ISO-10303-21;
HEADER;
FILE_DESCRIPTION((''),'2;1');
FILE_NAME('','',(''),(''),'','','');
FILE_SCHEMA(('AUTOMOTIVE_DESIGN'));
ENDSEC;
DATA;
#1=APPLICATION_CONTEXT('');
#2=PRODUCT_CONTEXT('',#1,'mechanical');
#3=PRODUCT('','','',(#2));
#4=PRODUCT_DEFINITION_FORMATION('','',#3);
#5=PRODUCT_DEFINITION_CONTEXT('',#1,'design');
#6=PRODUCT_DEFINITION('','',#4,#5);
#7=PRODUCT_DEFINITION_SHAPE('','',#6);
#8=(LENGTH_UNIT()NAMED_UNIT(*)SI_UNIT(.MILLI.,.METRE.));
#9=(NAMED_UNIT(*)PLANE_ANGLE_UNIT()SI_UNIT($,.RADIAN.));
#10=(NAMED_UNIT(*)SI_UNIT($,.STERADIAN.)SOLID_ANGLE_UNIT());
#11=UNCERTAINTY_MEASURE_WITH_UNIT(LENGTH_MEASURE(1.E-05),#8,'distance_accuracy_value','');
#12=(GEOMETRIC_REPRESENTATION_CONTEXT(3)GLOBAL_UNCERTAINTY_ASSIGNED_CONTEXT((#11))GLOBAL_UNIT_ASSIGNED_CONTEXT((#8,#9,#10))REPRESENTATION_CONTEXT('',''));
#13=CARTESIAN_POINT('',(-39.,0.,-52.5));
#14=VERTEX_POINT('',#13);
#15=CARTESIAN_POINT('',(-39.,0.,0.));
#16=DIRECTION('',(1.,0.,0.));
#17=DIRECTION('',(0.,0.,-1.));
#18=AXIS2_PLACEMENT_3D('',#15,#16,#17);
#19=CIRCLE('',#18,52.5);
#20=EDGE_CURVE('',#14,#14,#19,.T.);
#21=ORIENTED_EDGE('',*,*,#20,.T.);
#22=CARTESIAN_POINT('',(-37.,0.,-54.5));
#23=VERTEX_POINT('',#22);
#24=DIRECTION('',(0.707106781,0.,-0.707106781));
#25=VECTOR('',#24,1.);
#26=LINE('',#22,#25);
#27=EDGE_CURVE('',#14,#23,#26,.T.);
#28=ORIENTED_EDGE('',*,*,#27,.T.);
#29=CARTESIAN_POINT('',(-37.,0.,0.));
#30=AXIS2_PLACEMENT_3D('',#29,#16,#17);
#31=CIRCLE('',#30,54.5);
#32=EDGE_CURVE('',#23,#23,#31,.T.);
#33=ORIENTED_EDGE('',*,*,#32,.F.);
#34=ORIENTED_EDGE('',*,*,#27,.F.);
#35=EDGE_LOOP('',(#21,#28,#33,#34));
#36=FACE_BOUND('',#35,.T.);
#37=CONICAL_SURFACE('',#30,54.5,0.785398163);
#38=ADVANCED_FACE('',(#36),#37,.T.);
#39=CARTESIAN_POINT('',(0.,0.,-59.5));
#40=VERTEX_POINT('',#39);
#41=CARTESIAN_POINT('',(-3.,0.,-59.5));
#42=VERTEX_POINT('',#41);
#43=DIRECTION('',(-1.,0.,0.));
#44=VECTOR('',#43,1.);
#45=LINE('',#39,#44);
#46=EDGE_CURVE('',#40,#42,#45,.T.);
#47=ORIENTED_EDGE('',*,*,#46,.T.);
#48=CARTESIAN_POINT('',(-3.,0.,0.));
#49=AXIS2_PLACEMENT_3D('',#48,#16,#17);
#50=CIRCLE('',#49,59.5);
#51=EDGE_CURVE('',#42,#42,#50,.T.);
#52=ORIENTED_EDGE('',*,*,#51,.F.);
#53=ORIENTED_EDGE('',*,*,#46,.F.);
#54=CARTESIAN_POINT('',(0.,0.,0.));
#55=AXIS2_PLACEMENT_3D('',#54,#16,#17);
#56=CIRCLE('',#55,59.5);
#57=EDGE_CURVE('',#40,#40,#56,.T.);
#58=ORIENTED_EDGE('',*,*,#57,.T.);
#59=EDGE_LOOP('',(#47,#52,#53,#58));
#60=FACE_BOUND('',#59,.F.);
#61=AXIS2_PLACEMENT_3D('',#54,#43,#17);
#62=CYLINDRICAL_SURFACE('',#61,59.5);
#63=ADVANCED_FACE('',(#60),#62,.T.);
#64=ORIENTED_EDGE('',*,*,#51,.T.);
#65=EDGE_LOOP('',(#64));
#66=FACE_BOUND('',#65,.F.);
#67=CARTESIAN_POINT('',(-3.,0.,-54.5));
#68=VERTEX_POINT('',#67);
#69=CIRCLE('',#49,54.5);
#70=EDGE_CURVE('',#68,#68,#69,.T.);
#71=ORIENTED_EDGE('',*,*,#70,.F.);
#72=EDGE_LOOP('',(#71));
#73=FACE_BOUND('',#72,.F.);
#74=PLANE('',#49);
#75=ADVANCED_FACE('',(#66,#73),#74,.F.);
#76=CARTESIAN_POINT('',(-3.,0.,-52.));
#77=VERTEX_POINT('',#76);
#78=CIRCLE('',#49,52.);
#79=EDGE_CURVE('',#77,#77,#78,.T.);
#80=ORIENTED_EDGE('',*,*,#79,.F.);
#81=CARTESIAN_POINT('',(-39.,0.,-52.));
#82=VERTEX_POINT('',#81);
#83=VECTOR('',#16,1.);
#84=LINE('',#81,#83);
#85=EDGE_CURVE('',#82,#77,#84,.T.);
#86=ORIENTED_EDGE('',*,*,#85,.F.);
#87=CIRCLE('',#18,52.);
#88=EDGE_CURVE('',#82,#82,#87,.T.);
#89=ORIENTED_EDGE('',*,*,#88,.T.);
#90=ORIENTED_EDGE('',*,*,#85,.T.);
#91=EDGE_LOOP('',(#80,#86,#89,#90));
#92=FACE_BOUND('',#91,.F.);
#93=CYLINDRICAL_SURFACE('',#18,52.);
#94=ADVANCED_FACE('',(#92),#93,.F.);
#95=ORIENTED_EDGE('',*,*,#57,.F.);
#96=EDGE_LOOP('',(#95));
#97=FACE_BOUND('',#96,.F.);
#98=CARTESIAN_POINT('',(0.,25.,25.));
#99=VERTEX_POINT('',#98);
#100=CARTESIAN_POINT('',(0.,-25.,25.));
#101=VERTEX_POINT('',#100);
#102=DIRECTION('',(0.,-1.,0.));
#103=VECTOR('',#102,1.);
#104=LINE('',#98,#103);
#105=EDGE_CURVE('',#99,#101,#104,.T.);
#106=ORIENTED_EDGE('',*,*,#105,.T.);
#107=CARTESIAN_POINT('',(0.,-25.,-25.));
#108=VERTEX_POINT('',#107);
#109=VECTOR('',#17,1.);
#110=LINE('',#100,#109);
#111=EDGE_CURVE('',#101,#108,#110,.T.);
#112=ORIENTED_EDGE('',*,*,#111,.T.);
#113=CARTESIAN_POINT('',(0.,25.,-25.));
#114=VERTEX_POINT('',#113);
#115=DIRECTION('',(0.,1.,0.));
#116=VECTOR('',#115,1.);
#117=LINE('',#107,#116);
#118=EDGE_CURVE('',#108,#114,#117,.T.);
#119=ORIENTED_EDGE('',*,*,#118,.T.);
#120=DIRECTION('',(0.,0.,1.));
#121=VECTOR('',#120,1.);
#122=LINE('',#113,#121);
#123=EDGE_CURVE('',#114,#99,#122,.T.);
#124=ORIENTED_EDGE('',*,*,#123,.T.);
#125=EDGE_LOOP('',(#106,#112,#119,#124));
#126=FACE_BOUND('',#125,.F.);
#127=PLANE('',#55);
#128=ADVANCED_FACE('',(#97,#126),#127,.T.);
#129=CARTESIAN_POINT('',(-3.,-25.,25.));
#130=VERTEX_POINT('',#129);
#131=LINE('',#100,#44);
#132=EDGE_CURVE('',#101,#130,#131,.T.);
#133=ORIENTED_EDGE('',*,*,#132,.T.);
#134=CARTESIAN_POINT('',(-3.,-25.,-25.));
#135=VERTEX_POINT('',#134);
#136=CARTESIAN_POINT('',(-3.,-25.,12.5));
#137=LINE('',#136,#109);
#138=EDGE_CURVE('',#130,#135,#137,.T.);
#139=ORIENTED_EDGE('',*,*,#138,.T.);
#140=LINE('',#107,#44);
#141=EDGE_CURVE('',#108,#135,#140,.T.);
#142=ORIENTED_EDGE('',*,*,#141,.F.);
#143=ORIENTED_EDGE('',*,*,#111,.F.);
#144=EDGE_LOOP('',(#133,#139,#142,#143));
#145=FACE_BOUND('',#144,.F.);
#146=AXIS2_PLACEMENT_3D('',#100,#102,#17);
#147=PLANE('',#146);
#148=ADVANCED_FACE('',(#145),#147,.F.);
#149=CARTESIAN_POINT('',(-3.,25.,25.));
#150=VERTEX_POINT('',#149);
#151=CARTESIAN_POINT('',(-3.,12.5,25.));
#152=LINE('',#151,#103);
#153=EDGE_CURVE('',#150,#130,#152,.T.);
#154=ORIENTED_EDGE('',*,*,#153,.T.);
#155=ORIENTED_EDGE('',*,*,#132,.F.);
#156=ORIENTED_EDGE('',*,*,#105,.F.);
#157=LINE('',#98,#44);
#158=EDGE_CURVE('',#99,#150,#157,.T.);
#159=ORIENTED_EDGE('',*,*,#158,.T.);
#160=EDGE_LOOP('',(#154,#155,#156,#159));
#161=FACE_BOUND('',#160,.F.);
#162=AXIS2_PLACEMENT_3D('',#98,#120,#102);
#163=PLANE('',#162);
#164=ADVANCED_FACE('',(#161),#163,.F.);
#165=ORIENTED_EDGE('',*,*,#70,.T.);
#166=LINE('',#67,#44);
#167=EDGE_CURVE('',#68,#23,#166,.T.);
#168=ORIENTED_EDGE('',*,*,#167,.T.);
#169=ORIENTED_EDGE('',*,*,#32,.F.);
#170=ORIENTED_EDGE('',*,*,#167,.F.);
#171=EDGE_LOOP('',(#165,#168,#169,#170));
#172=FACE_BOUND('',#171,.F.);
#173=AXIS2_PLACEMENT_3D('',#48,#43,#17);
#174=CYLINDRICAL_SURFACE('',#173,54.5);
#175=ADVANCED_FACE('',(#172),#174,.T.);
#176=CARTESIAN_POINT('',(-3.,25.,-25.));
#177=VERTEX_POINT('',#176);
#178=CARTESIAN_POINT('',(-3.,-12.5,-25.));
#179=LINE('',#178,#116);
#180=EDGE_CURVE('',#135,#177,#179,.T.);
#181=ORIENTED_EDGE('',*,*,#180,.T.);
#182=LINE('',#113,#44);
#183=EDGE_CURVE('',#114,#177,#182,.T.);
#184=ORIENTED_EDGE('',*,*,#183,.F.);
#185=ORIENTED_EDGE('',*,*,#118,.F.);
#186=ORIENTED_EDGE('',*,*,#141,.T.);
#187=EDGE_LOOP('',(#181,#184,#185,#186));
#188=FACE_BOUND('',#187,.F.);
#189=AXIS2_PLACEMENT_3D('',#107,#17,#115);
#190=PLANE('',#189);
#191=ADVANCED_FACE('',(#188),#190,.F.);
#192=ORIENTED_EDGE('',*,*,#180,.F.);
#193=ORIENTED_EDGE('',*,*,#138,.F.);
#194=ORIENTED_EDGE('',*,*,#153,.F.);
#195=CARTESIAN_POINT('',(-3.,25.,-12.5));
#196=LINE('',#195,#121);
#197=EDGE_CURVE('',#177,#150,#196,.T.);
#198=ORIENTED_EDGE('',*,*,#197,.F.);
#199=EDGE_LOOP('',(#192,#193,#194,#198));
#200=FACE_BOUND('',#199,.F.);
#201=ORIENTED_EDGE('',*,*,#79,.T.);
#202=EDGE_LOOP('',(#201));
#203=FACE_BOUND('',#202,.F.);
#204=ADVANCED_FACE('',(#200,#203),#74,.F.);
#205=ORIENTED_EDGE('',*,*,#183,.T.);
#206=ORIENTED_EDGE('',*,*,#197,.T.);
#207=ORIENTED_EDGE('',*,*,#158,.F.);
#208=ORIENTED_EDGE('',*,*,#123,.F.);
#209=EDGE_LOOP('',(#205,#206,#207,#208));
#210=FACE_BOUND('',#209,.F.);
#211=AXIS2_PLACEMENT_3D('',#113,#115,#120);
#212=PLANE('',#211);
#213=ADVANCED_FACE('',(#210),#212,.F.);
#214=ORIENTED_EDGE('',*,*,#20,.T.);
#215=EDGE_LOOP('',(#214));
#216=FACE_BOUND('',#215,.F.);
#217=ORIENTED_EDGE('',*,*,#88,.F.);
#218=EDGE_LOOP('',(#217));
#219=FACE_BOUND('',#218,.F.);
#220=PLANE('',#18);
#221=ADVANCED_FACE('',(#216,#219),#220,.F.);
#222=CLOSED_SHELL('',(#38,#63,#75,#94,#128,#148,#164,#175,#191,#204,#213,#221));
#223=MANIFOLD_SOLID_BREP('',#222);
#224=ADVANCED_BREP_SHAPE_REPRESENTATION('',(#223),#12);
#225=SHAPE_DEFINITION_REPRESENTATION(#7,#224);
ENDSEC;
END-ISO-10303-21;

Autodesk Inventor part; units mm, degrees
ref_plane "YZ Plane" through (0, 0, 0) normal (1, 0, 0) x (0, 1, 0)
ref_plane "XZ Plane" through (0, 0, 0) normal (0, 1, 0) x (-1, 0, 0)
ref_plane "XY Plane" through (0, 0, 0) normal (0, 0, 1) x (1, 0, 0)
sketch "Sketch1" plane through (0, 0, 0) normal (0, 1, 0) x (-1, 0, 0)
  line L0 (0, 0) -> (0, -59.5)
  line L1 (0, -59.5) -> (3, -59.5)
  line L2 (3, -59.5) -> (3, -54.5)
  line L3 (3, -54.5) -> (39, -54.5)
  line L4 (39, -54.5) -> (39, -52)
  line L5 (39, -52) -> (3, -52)
  line L6 (3, -52) -> (3, 0)
  line L7 (3, 0) -> (0, 0)
  dimension "d3" = 3
  dimension "d4" = 5
  dimension "d5" = 36
  dimension "d6" = 2.5
  dimension "d14" = 52
revolve "Revolution1" add sketch "Sketch1" angle 360 about axis through (-3, 0, 0) along (1, 0, 0)
chamfer "Chamfer1" distance 2 angle 45 1 edges at (-39, 0, 54.5)
sketch "Sketch4" plane through (0, 0, 0) normal (1, 0, 0) x (0, 0, -1)
  line L0 (-25, -25) -> (25, -25)
  line L1 (25, -25) -> (25, 25)
  line L2 (25, 25) -> (-25, 25)
  line L3 (-25, 25) -> (-25, -25)
  line L4 (-25, -25) -> (25, 25) construction
  line L5 (25, -25) -> (-25, 25) construction
  point P0 (0, 0)
  point P1 (0, 0)
  dimension "d20" = 50
extrude "Extrusion3" cut sketch "Sketch4" against normal blind 10
properties part number "aftPlug" material "PVC-Piping"
